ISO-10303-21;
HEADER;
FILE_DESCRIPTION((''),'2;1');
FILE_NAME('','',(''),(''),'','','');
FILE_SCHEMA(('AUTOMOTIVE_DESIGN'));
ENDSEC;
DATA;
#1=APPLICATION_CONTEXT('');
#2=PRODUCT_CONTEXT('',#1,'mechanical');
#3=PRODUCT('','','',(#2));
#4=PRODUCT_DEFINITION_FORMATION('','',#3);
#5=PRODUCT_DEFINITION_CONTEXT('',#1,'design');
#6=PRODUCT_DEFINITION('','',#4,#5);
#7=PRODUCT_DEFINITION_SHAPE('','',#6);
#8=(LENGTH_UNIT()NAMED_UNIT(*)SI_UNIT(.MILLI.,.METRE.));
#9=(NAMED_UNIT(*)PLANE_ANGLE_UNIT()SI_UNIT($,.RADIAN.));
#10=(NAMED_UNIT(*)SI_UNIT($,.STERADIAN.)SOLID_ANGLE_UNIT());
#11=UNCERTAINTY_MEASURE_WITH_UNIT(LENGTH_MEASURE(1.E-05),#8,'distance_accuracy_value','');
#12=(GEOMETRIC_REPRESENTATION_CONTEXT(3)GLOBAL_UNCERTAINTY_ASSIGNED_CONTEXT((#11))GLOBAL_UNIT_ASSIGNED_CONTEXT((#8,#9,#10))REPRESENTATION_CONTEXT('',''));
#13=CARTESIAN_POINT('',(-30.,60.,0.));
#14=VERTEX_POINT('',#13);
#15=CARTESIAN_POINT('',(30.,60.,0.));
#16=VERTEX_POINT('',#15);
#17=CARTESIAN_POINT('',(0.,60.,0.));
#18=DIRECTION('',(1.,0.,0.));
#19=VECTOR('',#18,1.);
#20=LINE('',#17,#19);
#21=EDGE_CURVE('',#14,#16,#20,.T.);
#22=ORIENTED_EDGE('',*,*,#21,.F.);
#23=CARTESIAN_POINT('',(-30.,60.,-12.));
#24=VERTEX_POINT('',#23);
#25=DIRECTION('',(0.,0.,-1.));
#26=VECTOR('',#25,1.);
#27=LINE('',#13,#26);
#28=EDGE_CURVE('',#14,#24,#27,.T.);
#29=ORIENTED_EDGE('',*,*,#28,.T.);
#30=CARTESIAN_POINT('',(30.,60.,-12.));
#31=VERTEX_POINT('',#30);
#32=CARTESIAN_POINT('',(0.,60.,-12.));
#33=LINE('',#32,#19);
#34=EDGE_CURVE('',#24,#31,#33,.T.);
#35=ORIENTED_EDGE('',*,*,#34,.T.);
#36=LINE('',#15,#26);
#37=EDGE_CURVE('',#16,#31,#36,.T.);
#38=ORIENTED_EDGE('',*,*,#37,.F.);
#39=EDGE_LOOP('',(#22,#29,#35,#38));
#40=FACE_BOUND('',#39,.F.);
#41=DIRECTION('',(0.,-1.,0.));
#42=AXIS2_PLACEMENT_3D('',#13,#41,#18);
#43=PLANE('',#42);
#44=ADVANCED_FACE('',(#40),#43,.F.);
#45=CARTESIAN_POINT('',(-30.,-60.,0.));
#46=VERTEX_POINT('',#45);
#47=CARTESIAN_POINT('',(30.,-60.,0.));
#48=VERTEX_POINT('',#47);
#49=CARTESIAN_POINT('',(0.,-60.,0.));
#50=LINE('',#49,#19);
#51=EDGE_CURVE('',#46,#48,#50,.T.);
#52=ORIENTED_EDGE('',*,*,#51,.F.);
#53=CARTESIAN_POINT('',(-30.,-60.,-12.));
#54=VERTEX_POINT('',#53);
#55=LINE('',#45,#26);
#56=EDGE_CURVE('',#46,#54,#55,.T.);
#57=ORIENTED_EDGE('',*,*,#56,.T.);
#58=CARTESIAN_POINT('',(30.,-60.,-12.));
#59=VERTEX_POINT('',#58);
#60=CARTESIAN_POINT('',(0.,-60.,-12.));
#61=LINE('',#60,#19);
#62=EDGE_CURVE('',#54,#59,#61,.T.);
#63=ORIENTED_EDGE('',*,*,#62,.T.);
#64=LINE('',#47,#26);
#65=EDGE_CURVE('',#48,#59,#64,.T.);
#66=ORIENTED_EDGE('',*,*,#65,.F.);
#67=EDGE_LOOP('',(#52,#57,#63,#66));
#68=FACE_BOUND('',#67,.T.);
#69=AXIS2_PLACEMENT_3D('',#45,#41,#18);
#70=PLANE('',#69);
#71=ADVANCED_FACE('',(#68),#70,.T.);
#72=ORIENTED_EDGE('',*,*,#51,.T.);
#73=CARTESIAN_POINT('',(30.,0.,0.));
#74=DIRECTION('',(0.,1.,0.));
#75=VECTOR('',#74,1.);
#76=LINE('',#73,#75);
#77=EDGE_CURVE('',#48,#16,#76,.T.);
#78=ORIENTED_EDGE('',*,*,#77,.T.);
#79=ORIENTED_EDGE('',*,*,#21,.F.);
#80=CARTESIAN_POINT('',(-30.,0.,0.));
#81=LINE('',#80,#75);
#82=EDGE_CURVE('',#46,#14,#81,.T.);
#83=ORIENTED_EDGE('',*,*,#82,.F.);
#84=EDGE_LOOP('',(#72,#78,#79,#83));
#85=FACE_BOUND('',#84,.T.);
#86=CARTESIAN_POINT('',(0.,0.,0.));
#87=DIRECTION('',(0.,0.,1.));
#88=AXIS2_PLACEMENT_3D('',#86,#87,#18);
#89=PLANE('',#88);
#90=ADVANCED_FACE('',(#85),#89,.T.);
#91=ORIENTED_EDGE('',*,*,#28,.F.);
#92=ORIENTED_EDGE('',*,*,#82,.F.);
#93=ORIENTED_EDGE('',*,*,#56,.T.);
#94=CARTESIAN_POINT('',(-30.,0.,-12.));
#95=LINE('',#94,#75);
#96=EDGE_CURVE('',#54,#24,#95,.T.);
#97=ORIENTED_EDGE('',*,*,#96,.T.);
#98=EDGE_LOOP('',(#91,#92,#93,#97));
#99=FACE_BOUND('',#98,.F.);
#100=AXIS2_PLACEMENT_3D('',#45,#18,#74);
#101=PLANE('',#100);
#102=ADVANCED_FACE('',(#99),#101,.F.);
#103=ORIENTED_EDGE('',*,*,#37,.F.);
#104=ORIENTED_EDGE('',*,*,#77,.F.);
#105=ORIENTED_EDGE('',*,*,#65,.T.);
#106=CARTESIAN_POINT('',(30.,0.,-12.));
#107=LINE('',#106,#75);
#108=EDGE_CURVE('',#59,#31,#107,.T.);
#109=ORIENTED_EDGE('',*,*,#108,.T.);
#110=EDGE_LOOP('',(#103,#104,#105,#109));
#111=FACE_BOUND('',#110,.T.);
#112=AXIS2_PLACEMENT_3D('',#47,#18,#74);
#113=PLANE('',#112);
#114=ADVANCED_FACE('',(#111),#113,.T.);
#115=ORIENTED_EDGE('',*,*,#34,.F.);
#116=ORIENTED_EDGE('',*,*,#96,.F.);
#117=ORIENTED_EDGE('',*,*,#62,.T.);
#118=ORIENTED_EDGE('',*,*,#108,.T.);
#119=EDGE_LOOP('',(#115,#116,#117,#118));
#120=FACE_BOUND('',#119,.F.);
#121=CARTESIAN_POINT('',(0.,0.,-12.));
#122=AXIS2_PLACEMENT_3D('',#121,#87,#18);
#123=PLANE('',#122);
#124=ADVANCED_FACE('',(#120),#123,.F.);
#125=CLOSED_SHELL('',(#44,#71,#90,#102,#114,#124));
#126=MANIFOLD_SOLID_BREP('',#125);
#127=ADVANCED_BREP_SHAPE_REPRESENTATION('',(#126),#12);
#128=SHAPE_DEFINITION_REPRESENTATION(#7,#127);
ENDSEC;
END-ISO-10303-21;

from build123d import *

# Parameters (mm, degrees)
CROQUIS1_W              = 60
CROQUIS1_H              = 120
SALIENTE_EXTRUIR1_DEPTH = 12


with BuildPart() as part:
    # Croquis1 → Saliente-Extruir1 (new body)
    with BuildSketch(Plane.XY):
        Rectangle(CROQUIS1_W, CROQUIS1_H)
    extrude(amount=-SALIENTE_EXTRUIR1_DEPTH)


solid = part.part
